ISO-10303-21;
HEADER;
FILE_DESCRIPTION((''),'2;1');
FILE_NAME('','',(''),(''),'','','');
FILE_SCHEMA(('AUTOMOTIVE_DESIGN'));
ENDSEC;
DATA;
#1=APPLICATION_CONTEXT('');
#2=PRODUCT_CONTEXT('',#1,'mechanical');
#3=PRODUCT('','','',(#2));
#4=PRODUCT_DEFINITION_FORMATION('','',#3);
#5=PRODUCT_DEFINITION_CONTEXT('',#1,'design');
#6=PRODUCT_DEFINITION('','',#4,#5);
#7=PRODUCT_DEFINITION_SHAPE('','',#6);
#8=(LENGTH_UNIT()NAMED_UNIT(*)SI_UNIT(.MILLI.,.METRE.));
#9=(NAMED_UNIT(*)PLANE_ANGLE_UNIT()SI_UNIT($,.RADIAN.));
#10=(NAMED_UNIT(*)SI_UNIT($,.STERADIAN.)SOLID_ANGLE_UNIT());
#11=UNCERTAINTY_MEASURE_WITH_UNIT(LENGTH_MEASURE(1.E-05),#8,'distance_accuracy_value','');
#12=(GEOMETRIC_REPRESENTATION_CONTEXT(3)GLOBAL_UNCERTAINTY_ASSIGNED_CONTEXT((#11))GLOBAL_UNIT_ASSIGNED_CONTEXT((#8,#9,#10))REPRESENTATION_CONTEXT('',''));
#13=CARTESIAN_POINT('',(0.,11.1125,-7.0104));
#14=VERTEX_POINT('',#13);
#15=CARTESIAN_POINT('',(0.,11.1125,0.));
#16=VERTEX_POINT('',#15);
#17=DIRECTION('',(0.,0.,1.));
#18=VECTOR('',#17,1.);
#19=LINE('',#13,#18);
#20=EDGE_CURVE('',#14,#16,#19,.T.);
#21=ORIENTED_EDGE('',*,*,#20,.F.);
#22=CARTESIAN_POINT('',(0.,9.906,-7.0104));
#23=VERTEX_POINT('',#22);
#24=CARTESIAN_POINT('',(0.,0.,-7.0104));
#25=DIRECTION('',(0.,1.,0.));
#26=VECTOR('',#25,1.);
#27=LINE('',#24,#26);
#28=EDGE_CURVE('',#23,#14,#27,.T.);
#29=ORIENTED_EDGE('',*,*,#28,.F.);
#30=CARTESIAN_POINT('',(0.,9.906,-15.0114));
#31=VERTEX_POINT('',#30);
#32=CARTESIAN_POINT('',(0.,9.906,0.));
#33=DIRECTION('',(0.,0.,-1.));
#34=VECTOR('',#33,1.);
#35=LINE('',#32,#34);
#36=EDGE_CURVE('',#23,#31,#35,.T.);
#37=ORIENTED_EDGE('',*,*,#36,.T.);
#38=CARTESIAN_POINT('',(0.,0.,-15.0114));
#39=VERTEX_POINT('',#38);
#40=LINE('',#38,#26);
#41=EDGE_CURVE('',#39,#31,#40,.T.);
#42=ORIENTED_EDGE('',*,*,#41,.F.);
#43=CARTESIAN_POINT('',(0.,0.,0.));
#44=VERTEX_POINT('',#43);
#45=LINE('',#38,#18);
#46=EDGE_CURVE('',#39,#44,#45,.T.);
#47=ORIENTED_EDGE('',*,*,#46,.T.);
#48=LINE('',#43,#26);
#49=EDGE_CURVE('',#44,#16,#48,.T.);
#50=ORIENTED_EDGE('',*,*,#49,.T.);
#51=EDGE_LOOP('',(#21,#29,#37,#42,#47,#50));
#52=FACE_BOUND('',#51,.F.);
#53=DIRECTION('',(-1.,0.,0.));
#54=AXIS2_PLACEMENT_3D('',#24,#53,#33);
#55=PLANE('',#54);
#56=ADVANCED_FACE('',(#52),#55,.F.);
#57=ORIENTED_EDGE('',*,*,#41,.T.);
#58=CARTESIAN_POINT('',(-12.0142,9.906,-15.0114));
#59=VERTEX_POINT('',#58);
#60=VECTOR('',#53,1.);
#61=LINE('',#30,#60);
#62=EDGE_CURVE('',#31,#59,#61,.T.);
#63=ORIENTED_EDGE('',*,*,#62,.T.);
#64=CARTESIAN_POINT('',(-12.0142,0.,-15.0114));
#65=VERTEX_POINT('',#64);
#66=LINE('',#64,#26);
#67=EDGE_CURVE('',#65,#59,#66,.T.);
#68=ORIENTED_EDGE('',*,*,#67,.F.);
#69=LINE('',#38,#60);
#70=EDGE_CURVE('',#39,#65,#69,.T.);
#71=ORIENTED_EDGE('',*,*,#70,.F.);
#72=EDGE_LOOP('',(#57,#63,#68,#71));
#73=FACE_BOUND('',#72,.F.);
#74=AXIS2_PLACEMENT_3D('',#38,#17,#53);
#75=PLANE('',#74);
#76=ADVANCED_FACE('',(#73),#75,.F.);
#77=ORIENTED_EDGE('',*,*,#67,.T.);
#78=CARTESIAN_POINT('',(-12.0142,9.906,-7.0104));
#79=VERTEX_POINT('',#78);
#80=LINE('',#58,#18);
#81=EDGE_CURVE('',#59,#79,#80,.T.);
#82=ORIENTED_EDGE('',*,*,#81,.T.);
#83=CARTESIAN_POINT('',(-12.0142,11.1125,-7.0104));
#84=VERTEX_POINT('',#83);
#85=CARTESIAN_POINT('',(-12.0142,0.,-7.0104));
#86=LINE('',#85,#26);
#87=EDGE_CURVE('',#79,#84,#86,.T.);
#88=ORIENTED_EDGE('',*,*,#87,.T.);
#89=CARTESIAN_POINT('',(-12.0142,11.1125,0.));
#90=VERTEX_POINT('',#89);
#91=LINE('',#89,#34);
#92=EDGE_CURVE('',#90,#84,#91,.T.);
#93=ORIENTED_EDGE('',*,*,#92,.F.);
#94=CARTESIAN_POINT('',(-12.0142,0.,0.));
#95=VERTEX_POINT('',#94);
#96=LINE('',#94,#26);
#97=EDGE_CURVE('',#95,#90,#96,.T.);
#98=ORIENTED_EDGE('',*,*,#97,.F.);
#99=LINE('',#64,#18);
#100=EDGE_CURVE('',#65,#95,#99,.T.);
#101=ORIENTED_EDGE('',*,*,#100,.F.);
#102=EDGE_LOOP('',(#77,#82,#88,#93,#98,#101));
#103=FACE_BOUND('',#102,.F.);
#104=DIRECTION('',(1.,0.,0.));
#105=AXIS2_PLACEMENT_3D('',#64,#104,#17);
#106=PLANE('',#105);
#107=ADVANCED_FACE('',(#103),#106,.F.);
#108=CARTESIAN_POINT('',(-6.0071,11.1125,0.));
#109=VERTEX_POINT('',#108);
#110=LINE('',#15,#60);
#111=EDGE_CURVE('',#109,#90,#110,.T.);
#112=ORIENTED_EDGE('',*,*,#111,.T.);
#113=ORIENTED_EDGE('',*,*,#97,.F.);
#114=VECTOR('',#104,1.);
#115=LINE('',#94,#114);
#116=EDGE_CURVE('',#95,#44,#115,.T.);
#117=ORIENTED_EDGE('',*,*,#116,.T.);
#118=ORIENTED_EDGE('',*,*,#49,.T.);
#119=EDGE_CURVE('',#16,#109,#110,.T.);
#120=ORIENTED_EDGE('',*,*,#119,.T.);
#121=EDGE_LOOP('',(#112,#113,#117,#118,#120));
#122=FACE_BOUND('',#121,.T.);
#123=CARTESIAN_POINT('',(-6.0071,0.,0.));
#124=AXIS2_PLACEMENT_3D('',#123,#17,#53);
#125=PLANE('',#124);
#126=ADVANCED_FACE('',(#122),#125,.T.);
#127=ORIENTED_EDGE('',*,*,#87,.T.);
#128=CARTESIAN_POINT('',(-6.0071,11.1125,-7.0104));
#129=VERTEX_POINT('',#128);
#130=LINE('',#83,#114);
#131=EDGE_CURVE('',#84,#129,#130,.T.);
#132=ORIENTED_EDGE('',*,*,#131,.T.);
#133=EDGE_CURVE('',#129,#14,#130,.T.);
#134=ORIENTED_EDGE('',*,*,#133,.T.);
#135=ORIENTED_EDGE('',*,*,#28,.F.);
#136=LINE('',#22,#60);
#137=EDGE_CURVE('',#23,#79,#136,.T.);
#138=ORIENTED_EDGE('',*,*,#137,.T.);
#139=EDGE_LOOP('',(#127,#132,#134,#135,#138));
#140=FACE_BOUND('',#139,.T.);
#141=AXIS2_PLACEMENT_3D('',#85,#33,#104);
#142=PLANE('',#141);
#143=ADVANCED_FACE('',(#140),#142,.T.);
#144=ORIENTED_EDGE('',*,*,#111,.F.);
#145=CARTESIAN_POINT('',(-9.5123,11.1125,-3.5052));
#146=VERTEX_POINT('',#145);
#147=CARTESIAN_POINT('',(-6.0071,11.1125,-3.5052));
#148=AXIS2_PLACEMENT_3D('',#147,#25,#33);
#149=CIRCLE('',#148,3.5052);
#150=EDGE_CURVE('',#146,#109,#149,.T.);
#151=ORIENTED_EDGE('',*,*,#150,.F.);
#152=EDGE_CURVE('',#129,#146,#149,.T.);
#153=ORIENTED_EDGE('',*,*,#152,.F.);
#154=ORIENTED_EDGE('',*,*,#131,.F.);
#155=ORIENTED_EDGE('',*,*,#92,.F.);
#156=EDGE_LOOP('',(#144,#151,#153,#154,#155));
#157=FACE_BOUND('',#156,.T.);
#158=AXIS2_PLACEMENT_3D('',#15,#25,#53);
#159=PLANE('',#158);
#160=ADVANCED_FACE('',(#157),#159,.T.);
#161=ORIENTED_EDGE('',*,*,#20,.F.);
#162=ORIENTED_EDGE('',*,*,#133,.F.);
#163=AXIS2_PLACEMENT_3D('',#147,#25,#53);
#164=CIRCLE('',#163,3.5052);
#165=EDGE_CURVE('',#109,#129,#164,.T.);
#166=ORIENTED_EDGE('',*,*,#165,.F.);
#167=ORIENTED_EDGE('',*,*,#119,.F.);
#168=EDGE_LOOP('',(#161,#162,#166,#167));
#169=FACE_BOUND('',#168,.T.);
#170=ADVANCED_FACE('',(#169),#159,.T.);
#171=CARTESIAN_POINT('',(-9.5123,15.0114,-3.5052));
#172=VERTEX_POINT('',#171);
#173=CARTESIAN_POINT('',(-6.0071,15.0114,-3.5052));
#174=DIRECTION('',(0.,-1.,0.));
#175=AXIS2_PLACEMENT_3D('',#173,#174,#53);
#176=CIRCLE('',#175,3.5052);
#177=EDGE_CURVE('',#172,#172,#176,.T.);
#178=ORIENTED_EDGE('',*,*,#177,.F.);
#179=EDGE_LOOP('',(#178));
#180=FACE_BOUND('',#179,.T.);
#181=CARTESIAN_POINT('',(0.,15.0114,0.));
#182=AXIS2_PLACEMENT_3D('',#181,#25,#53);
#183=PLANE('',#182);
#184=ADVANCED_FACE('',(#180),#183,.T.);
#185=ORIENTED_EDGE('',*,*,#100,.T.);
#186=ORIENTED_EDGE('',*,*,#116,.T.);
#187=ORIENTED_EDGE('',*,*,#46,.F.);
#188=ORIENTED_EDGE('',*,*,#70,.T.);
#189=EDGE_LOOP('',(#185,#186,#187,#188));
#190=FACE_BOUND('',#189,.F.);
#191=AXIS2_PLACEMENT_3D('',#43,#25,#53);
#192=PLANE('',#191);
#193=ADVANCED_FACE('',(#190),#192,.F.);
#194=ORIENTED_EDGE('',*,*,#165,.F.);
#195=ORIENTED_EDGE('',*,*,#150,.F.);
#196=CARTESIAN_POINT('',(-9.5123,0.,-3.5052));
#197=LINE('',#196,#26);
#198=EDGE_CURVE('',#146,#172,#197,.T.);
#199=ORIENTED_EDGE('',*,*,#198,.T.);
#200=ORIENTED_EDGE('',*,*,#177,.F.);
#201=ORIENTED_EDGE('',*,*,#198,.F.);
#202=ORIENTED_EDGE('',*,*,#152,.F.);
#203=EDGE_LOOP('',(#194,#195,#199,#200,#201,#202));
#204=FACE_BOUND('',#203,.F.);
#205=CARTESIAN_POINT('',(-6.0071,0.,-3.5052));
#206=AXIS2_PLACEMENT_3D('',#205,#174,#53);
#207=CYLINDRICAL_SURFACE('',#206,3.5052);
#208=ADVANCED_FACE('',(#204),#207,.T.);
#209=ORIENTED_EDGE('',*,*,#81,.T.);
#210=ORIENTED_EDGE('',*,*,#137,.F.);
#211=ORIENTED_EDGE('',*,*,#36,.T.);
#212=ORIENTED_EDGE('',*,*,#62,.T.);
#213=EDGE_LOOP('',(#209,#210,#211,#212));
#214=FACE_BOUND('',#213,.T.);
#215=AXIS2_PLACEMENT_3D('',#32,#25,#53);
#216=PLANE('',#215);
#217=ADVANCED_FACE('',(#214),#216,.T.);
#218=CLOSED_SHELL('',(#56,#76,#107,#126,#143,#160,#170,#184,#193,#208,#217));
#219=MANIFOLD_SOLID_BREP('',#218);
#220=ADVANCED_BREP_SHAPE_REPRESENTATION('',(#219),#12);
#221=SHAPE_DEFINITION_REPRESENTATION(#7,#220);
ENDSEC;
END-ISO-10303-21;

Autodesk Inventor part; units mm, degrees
ref_plane "YZ Plane" through (0, 0, 0) normal (1, 0, 0) x (0, 1, 0)
ref_plane "XZ Plane" through (0, 0, 0) normal (0, 1, 0) x (-1, 0, 0)
ref_plane "XY Plane" through (0, 0, 0) normal (0, 0, 1) x (1, 0, 0)
sketch "Sketch1" plane through (0, 0, 0) normal (0, 1, 0) x (-1, 0, 0)
  line L0 (0, 0) -> (12.0142, 0)
  line L1 (12.0142, 0) -> (12.0142, -7.0104)
  line L2 (12.0142, -7.0104) -> (0, -7.0104)
  line L3 (0, -7.0104) -> (0, 0)
  circle A0 centre (6.0071, -3.5052) radius 3.5052
  line L4 (12.0142, 0) -> (0, 0)
  line L5 (0, 0) -> (0, -15.0114)
  line L6 (0, -15.0114) -> (12.0142, -15.0114)
  line L7 (12.0142, -15.0114) -> (12.0142, 0)
  point P0 (0, -3.5052)
  point P1 (6.0071, -7.0104)
  point P2 (6.0071, 0)
  dimension "d0" = 12.0142
  dimension "d1" = 7.0104
  dimension "d2" = 3.5052
  dimension "d3" = 6.0071
  dimension "d4" = 7.0104
  dimension "d5" = 15.0114
extrude "Extrusion1" add sketch "Sketch1" along normal blind 9.906 contours L2 L7 L6 L5
extrude "Extrusion2" add sketch "Sketch1" along normal blind 11.1125 contours L0 A0 L2 L3 | L0 L1 L2 A0
extrude "Extrusion3" add sketch "Sketch1" along normal blind 15.0114 contours A0
properties part number "Audio_jack"
